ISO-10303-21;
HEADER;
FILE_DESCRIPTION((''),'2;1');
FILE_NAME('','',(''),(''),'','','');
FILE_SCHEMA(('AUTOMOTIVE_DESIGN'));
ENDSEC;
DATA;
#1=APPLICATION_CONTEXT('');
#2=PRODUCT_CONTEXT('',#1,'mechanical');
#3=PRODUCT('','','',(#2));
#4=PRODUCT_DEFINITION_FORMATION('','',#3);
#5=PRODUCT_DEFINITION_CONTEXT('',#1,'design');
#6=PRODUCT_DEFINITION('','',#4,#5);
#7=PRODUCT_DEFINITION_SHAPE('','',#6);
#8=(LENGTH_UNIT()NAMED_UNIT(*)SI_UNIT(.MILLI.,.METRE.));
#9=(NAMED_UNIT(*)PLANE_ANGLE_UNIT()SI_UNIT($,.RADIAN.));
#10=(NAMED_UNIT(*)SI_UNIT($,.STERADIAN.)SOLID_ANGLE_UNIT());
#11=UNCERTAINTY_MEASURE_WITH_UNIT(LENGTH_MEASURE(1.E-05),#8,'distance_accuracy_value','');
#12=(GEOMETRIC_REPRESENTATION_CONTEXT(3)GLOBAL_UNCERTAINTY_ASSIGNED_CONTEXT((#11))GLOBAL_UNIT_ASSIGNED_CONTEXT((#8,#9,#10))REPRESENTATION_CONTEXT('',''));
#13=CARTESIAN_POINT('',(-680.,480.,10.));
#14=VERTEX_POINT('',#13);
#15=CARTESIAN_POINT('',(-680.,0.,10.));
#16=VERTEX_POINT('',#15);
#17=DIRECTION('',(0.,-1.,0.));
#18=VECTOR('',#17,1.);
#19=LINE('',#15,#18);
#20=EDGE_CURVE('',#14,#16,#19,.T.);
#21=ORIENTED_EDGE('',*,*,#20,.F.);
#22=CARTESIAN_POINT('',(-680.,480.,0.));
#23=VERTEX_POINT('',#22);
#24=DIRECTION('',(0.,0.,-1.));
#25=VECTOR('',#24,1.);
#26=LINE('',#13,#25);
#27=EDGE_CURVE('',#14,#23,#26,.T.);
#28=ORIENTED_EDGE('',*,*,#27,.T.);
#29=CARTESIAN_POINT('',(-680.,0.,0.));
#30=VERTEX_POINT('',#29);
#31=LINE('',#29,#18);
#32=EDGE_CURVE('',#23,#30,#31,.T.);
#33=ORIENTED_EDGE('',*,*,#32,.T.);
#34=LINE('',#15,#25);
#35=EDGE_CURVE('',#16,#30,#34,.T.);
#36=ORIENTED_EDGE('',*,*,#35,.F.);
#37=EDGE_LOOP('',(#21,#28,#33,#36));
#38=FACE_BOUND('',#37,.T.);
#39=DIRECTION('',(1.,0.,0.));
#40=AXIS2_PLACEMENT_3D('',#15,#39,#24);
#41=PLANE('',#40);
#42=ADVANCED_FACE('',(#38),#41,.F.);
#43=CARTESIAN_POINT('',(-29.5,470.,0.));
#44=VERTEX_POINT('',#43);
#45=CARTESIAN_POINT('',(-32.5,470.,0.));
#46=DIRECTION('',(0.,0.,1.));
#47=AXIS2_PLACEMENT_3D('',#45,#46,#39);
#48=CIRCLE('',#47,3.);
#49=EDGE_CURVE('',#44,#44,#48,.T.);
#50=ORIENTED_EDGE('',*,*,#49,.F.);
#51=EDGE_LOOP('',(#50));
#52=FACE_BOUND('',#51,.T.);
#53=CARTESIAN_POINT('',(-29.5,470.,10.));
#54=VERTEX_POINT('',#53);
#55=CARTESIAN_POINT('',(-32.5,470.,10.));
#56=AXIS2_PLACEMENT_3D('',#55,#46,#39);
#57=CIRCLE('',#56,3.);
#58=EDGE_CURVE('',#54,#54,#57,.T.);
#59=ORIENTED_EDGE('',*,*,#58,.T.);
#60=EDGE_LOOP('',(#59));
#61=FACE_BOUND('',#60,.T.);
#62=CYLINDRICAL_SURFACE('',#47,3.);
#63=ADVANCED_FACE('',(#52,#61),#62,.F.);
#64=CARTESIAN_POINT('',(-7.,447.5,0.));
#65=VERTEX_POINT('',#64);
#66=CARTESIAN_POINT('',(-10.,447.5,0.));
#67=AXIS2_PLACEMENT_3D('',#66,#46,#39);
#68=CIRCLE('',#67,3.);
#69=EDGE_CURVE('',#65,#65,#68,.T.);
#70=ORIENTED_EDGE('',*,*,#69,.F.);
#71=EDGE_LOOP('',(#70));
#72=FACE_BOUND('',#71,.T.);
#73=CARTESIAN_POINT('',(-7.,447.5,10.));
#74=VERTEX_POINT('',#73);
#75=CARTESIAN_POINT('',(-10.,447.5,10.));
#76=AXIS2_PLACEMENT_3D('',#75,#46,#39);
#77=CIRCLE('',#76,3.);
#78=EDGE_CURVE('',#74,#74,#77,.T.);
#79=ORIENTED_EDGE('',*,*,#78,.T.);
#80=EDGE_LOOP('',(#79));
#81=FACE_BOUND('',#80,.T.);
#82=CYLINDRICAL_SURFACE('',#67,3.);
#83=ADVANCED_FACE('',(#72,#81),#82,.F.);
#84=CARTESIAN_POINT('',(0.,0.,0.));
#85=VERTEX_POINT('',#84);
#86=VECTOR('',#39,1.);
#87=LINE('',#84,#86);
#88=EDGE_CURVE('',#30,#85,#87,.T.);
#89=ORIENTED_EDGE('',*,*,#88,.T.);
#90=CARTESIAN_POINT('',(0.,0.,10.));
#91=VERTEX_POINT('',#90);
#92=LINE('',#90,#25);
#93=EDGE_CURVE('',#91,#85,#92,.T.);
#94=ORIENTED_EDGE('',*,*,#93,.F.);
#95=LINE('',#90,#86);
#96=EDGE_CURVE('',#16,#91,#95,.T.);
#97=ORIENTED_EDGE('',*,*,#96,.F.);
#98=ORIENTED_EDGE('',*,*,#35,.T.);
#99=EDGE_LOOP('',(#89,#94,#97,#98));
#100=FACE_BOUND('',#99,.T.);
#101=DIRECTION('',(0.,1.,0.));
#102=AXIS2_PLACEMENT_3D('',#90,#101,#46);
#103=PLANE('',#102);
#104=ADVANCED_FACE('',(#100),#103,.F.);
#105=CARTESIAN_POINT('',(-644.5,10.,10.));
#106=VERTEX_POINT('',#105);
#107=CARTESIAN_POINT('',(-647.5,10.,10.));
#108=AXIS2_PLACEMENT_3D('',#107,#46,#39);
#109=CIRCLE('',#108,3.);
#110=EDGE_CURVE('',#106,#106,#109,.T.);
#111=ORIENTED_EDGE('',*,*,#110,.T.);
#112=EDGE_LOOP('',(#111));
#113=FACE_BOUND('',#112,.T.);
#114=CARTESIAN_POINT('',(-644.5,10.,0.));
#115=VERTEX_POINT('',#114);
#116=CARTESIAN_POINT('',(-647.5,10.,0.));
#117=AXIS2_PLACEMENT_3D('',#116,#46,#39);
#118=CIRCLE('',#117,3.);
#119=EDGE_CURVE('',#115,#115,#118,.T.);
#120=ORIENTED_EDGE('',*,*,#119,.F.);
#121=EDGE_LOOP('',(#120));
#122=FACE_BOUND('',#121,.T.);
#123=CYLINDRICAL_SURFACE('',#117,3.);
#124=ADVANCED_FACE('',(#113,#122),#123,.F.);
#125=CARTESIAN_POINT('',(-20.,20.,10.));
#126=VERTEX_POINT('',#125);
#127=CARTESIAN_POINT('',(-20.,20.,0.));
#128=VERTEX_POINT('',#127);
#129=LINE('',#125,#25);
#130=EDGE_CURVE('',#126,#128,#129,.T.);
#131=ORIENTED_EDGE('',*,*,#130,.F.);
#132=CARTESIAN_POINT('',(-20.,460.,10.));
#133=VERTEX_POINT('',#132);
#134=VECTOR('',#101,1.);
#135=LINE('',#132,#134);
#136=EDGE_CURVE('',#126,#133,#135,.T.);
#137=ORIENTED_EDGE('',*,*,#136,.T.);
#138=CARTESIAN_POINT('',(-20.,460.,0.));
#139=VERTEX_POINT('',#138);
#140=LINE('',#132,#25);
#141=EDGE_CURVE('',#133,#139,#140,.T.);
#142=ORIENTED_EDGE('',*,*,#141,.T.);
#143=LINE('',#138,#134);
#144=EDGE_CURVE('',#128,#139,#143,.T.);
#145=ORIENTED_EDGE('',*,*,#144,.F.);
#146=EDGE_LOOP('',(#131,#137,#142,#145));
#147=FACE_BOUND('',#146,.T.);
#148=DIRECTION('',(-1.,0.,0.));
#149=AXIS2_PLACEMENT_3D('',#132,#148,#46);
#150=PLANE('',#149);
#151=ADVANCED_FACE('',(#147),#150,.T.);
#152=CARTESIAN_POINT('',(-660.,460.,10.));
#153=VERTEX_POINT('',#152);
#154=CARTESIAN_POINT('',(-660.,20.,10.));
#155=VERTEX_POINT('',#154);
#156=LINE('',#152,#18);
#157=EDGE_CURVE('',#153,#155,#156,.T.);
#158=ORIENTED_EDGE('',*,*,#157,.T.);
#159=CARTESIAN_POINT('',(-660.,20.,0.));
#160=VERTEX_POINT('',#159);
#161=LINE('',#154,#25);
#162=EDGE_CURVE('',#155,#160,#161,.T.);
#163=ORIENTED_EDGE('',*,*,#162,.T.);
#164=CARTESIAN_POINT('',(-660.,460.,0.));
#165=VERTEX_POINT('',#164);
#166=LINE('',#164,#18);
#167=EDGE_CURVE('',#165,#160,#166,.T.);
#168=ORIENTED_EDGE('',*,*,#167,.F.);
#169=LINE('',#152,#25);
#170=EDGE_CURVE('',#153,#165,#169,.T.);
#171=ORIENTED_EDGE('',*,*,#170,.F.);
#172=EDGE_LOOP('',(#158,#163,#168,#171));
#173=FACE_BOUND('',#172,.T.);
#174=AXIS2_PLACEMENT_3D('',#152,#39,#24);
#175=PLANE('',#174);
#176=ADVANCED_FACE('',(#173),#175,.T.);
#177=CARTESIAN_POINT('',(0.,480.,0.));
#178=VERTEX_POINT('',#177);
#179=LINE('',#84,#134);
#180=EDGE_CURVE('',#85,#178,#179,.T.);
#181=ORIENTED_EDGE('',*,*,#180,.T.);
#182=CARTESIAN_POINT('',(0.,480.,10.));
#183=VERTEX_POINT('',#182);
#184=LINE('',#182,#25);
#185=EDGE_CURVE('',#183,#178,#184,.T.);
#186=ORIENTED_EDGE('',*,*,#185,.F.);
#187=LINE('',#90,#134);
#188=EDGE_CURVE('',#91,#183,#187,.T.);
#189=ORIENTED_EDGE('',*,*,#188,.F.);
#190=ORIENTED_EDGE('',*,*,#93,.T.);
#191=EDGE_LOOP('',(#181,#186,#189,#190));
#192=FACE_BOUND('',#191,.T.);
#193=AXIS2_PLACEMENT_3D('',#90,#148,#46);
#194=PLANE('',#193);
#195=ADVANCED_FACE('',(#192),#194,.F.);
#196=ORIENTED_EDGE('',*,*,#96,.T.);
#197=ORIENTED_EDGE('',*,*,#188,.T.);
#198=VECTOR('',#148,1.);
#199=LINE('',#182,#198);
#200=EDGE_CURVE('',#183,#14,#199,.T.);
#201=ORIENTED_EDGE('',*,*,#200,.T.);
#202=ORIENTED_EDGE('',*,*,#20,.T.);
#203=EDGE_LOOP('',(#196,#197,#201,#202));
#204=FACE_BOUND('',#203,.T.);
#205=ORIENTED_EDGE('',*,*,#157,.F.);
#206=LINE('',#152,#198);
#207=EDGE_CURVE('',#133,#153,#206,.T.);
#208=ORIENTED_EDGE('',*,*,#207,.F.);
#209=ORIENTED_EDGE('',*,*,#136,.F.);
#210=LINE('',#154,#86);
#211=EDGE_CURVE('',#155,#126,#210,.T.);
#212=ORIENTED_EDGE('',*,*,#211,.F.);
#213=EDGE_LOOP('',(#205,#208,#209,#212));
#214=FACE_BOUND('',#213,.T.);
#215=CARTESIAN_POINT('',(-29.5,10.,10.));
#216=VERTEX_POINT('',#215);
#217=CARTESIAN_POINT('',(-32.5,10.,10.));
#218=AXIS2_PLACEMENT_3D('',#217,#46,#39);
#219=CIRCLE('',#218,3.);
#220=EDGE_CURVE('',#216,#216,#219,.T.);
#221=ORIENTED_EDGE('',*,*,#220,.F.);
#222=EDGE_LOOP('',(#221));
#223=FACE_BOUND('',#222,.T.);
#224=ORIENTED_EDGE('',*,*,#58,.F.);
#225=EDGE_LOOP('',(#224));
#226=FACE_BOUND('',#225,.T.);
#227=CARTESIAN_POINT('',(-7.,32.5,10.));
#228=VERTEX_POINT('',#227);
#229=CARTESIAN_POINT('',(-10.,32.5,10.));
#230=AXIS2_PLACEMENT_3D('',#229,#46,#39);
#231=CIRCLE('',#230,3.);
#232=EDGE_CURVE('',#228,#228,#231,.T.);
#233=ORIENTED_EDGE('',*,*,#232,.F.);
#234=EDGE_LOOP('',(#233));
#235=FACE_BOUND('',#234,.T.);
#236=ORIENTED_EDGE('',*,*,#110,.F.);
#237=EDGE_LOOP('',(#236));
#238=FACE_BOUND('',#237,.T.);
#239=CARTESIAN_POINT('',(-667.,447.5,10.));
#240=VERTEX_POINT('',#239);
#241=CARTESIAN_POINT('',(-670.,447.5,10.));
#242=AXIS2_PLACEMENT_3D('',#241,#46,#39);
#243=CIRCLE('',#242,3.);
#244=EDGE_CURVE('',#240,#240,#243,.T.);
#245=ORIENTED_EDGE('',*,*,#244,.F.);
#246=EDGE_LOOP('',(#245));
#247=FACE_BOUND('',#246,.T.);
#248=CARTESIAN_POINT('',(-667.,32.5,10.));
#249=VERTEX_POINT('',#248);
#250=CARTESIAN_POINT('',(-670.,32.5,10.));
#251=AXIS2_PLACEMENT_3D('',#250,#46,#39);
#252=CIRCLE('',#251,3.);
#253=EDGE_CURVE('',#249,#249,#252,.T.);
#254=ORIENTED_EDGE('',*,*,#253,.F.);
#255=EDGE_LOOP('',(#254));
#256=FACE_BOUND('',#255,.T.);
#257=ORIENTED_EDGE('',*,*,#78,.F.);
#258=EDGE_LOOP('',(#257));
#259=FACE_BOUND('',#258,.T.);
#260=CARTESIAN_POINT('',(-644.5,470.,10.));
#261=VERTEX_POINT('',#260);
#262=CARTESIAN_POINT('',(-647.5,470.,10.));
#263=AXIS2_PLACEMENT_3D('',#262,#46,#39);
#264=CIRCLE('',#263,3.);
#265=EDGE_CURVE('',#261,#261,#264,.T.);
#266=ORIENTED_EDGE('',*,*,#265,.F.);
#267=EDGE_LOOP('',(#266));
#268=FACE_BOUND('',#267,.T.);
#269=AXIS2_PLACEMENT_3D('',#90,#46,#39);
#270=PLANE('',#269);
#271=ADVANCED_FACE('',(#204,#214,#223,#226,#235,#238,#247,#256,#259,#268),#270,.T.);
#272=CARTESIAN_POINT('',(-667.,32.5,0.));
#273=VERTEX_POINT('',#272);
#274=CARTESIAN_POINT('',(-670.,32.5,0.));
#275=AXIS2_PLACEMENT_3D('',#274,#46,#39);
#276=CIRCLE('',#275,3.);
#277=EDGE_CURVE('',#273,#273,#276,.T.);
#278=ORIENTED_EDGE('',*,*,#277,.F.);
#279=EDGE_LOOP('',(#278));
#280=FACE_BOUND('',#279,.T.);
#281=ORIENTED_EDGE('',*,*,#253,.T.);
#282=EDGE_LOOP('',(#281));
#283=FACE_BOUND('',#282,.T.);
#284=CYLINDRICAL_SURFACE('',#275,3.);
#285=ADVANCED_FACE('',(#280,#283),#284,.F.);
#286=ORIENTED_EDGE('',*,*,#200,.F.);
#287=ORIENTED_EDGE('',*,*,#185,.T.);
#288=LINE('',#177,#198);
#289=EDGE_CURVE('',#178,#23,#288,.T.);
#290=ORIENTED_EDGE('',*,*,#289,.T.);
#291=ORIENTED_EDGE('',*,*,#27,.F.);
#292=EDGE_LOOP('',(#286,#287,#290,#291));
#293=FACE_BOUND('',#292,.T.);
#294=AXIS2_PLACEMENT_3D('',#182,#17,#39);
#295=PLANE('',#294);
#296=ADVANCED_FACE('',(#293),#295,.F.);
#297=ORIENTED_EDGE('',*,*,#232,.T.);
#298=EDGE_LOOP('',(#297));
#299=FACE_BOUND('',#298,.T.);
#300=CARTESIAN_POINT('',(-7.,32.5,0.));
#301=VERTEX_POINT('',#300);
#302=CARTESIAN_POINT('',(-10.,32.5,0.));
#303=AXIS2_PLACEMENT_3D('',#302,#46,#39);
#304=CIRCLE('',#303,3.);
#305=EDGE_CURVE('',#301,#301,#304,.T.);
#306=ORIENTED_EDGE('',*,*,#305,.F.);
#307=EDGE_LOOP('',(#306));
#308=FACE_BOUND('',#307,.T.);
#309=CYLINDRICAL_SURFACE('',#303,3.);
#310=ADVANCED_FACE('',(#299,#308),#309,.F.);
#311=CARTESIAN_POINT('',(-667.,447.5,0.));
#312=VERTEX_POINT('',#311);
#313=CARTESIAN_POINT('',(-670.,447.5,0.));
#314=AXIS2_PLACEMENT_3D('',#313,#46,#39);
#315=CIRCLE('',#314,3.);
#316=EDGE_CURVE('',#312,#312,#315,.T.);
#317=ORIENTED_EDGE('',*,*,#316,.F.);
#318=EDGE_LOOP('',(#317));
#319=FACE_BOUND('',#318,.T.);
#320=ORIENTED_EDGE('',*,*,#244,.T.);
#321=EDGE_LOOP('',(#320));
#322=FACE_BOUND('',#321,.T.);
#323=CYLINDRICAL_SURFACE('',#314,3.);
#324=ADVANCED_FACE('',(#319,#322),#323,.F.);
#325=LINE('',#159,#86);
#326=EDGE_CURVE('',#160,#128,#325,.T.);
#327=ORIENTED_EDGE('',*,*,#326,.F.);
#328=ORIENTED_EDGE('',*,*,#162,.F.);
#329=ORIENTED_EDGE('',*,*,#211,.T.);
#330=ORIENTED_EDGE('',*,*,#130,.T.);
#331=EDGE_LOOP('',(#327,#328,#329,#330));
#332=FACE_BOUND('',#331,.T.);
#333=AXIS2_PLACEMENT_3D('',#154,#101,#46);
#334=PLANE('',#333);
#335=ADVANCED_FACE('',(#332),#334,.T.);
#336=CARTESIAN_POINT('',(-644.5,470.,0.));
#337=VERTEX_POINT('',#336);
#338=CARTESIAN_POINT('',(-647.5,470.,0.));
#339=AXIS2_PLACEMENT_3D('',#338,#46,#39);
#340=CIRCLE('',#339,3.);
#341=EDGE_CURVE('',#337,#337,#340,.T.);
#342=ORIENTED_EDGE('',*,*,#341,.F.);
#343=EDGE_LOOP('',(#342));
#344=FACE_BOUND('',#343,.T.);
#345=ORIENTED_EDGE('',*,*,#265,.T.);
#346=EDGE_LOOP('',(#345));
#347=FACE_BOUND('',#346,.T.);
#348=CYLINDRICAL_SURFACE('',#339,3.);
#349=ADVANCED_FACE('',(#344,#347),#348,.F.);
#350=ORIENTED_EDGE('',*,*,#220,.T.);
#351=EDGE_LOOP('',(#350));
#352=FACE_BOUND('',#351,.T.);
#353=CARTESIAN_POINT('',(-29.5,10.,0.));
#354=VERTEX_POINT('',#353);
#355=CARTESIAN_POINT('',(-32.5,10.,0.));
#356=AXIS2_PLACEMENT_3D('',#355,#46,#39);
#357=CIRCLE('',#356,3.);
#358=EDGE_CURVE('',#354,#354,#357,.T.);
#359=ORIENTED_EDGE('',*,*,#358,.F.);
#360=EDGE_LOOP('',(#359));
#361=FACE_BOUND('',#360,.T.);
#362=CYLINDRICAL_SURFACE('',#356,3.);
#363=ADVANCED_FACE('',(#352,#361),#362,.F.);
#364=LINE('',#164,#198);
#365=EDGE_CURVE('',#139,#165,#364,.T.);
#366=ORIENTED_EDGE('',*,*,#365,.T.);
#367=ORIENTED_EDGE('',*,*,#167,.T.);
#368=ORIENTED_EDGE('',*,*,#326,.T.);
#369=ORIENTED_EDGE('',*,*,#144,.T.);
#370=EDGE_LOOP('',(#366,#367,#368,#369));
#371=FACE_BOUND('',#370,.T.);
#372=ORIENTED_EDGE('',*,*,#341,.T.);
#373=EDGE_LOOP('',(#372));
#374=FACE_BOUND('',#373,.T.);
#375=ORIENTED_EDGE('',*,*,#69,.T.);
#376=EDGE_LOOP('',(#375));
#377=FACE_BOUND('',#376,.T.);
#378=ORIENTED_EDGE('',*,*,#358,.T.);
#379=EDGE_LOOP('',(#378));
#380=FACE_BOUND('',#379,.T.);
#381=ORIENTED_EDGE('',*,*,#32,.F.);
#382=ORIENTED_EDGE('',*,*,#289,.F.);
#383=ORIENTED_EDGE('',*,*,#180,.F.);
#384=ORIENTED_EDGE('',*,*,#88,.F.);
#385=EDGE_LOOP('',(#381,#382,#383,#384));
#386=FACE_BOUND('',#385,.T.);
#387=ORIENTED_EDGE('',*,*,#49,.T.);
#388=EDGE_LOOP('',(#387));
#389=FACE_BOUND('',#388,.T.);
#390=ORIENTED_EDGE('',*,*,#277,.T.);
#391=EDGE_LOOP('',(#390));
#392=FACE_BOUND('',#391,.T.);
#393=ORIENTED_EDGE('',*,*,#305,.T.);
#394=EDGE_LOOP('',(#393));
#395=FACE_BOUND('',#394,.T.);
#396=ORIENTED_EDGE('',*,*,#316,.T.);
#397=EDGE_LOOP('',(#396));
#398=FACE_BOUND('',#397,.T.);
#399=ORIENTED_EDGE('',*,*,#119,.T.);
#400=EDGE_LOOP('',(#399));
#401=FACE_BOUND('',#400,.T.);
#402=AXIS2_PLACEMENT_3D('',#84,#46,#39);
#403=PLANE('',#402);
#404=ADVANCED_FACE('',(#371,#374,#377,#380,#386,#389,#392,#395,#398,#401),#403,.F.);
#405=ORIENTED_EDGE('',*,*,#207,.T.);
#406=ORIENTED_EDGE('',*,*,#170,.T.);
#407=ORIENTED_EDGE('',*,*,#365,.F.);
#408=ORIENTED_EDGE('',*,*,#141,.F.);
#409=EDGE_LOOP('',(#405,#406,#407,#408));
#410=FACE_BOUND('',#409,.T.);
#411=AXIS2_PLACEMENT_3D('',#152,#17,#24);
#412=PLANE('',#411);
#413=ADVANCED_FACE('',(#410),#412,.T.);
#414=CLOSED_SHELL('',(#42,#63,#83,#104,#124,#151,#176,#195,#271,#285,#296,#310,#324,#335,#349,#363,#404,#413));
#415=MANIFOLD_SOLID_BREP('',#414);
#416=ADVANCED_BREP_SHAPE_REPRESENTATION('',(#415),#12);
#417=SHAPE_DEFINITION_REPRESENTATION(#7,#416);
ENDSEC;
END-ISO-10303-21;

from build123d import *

# Parameters (mm, degrees)
ESQUISSE1_W             = 680
ESQUISSE1_H             = 480
ESQUISSE1_W_2           = 640
ESQUISSE1_H_2           = 440
BOSS_EXTRU_1_DEPTH      = 10
ESQUISSE2_R             = 3
ENL_V_MAT_EXTRU_1_DEPTH = 11


with BuildPart() as part:
    # Esquisse1 → Boss.-Extru.1 (new body)
    with BuildSketch(Plane.XY):
        with Locations((-340, 240)):
            Rectangle(ESQUISSE1_W, ESQUISSE1_H)
        with Locations((-340, 240)):
            Rectangle(ESQUISSE1_W_2, ESQUISSE1_H_2, mode=Mode.SUBTRACT)
    extrude(amount=BOSS_EXTRU_1_DEPTH)

    # Esquisse2 → Enlèv. mat.-Extru.1 (cut, through all)
    with BuildSketch(Plane.XY.offset(10)):
        with Locations((-32.5, 470)):
            Circle(ESQUISSE2_R)
        with Locations((-10, 447.5)):
            Circle(ESQUISSE2_R)
        with Locations((-647.5, 470)):
            Circle(ESQUISSE2_R)
        with Locations((-670, 447.5)):
            Circle(ESQUISSE2_R)
        with Locations((-670, 32.5)):
            Circle(ESQUISSE2_R)
        with Locations((-647.5, 10)):
            Circle(ESQUISSE2_R)
        with Locations((-32.5, 10)):
            Circle(ESQUISSE2_R)
        with Locations((-10, 32.5)):
            Circle(ESQUISSE2_R)
    extrude(amount=-ENL_V_MAT_EXTRU_1_DEPTH, mode=Mode.SUBTRACT)


solid = part.part
